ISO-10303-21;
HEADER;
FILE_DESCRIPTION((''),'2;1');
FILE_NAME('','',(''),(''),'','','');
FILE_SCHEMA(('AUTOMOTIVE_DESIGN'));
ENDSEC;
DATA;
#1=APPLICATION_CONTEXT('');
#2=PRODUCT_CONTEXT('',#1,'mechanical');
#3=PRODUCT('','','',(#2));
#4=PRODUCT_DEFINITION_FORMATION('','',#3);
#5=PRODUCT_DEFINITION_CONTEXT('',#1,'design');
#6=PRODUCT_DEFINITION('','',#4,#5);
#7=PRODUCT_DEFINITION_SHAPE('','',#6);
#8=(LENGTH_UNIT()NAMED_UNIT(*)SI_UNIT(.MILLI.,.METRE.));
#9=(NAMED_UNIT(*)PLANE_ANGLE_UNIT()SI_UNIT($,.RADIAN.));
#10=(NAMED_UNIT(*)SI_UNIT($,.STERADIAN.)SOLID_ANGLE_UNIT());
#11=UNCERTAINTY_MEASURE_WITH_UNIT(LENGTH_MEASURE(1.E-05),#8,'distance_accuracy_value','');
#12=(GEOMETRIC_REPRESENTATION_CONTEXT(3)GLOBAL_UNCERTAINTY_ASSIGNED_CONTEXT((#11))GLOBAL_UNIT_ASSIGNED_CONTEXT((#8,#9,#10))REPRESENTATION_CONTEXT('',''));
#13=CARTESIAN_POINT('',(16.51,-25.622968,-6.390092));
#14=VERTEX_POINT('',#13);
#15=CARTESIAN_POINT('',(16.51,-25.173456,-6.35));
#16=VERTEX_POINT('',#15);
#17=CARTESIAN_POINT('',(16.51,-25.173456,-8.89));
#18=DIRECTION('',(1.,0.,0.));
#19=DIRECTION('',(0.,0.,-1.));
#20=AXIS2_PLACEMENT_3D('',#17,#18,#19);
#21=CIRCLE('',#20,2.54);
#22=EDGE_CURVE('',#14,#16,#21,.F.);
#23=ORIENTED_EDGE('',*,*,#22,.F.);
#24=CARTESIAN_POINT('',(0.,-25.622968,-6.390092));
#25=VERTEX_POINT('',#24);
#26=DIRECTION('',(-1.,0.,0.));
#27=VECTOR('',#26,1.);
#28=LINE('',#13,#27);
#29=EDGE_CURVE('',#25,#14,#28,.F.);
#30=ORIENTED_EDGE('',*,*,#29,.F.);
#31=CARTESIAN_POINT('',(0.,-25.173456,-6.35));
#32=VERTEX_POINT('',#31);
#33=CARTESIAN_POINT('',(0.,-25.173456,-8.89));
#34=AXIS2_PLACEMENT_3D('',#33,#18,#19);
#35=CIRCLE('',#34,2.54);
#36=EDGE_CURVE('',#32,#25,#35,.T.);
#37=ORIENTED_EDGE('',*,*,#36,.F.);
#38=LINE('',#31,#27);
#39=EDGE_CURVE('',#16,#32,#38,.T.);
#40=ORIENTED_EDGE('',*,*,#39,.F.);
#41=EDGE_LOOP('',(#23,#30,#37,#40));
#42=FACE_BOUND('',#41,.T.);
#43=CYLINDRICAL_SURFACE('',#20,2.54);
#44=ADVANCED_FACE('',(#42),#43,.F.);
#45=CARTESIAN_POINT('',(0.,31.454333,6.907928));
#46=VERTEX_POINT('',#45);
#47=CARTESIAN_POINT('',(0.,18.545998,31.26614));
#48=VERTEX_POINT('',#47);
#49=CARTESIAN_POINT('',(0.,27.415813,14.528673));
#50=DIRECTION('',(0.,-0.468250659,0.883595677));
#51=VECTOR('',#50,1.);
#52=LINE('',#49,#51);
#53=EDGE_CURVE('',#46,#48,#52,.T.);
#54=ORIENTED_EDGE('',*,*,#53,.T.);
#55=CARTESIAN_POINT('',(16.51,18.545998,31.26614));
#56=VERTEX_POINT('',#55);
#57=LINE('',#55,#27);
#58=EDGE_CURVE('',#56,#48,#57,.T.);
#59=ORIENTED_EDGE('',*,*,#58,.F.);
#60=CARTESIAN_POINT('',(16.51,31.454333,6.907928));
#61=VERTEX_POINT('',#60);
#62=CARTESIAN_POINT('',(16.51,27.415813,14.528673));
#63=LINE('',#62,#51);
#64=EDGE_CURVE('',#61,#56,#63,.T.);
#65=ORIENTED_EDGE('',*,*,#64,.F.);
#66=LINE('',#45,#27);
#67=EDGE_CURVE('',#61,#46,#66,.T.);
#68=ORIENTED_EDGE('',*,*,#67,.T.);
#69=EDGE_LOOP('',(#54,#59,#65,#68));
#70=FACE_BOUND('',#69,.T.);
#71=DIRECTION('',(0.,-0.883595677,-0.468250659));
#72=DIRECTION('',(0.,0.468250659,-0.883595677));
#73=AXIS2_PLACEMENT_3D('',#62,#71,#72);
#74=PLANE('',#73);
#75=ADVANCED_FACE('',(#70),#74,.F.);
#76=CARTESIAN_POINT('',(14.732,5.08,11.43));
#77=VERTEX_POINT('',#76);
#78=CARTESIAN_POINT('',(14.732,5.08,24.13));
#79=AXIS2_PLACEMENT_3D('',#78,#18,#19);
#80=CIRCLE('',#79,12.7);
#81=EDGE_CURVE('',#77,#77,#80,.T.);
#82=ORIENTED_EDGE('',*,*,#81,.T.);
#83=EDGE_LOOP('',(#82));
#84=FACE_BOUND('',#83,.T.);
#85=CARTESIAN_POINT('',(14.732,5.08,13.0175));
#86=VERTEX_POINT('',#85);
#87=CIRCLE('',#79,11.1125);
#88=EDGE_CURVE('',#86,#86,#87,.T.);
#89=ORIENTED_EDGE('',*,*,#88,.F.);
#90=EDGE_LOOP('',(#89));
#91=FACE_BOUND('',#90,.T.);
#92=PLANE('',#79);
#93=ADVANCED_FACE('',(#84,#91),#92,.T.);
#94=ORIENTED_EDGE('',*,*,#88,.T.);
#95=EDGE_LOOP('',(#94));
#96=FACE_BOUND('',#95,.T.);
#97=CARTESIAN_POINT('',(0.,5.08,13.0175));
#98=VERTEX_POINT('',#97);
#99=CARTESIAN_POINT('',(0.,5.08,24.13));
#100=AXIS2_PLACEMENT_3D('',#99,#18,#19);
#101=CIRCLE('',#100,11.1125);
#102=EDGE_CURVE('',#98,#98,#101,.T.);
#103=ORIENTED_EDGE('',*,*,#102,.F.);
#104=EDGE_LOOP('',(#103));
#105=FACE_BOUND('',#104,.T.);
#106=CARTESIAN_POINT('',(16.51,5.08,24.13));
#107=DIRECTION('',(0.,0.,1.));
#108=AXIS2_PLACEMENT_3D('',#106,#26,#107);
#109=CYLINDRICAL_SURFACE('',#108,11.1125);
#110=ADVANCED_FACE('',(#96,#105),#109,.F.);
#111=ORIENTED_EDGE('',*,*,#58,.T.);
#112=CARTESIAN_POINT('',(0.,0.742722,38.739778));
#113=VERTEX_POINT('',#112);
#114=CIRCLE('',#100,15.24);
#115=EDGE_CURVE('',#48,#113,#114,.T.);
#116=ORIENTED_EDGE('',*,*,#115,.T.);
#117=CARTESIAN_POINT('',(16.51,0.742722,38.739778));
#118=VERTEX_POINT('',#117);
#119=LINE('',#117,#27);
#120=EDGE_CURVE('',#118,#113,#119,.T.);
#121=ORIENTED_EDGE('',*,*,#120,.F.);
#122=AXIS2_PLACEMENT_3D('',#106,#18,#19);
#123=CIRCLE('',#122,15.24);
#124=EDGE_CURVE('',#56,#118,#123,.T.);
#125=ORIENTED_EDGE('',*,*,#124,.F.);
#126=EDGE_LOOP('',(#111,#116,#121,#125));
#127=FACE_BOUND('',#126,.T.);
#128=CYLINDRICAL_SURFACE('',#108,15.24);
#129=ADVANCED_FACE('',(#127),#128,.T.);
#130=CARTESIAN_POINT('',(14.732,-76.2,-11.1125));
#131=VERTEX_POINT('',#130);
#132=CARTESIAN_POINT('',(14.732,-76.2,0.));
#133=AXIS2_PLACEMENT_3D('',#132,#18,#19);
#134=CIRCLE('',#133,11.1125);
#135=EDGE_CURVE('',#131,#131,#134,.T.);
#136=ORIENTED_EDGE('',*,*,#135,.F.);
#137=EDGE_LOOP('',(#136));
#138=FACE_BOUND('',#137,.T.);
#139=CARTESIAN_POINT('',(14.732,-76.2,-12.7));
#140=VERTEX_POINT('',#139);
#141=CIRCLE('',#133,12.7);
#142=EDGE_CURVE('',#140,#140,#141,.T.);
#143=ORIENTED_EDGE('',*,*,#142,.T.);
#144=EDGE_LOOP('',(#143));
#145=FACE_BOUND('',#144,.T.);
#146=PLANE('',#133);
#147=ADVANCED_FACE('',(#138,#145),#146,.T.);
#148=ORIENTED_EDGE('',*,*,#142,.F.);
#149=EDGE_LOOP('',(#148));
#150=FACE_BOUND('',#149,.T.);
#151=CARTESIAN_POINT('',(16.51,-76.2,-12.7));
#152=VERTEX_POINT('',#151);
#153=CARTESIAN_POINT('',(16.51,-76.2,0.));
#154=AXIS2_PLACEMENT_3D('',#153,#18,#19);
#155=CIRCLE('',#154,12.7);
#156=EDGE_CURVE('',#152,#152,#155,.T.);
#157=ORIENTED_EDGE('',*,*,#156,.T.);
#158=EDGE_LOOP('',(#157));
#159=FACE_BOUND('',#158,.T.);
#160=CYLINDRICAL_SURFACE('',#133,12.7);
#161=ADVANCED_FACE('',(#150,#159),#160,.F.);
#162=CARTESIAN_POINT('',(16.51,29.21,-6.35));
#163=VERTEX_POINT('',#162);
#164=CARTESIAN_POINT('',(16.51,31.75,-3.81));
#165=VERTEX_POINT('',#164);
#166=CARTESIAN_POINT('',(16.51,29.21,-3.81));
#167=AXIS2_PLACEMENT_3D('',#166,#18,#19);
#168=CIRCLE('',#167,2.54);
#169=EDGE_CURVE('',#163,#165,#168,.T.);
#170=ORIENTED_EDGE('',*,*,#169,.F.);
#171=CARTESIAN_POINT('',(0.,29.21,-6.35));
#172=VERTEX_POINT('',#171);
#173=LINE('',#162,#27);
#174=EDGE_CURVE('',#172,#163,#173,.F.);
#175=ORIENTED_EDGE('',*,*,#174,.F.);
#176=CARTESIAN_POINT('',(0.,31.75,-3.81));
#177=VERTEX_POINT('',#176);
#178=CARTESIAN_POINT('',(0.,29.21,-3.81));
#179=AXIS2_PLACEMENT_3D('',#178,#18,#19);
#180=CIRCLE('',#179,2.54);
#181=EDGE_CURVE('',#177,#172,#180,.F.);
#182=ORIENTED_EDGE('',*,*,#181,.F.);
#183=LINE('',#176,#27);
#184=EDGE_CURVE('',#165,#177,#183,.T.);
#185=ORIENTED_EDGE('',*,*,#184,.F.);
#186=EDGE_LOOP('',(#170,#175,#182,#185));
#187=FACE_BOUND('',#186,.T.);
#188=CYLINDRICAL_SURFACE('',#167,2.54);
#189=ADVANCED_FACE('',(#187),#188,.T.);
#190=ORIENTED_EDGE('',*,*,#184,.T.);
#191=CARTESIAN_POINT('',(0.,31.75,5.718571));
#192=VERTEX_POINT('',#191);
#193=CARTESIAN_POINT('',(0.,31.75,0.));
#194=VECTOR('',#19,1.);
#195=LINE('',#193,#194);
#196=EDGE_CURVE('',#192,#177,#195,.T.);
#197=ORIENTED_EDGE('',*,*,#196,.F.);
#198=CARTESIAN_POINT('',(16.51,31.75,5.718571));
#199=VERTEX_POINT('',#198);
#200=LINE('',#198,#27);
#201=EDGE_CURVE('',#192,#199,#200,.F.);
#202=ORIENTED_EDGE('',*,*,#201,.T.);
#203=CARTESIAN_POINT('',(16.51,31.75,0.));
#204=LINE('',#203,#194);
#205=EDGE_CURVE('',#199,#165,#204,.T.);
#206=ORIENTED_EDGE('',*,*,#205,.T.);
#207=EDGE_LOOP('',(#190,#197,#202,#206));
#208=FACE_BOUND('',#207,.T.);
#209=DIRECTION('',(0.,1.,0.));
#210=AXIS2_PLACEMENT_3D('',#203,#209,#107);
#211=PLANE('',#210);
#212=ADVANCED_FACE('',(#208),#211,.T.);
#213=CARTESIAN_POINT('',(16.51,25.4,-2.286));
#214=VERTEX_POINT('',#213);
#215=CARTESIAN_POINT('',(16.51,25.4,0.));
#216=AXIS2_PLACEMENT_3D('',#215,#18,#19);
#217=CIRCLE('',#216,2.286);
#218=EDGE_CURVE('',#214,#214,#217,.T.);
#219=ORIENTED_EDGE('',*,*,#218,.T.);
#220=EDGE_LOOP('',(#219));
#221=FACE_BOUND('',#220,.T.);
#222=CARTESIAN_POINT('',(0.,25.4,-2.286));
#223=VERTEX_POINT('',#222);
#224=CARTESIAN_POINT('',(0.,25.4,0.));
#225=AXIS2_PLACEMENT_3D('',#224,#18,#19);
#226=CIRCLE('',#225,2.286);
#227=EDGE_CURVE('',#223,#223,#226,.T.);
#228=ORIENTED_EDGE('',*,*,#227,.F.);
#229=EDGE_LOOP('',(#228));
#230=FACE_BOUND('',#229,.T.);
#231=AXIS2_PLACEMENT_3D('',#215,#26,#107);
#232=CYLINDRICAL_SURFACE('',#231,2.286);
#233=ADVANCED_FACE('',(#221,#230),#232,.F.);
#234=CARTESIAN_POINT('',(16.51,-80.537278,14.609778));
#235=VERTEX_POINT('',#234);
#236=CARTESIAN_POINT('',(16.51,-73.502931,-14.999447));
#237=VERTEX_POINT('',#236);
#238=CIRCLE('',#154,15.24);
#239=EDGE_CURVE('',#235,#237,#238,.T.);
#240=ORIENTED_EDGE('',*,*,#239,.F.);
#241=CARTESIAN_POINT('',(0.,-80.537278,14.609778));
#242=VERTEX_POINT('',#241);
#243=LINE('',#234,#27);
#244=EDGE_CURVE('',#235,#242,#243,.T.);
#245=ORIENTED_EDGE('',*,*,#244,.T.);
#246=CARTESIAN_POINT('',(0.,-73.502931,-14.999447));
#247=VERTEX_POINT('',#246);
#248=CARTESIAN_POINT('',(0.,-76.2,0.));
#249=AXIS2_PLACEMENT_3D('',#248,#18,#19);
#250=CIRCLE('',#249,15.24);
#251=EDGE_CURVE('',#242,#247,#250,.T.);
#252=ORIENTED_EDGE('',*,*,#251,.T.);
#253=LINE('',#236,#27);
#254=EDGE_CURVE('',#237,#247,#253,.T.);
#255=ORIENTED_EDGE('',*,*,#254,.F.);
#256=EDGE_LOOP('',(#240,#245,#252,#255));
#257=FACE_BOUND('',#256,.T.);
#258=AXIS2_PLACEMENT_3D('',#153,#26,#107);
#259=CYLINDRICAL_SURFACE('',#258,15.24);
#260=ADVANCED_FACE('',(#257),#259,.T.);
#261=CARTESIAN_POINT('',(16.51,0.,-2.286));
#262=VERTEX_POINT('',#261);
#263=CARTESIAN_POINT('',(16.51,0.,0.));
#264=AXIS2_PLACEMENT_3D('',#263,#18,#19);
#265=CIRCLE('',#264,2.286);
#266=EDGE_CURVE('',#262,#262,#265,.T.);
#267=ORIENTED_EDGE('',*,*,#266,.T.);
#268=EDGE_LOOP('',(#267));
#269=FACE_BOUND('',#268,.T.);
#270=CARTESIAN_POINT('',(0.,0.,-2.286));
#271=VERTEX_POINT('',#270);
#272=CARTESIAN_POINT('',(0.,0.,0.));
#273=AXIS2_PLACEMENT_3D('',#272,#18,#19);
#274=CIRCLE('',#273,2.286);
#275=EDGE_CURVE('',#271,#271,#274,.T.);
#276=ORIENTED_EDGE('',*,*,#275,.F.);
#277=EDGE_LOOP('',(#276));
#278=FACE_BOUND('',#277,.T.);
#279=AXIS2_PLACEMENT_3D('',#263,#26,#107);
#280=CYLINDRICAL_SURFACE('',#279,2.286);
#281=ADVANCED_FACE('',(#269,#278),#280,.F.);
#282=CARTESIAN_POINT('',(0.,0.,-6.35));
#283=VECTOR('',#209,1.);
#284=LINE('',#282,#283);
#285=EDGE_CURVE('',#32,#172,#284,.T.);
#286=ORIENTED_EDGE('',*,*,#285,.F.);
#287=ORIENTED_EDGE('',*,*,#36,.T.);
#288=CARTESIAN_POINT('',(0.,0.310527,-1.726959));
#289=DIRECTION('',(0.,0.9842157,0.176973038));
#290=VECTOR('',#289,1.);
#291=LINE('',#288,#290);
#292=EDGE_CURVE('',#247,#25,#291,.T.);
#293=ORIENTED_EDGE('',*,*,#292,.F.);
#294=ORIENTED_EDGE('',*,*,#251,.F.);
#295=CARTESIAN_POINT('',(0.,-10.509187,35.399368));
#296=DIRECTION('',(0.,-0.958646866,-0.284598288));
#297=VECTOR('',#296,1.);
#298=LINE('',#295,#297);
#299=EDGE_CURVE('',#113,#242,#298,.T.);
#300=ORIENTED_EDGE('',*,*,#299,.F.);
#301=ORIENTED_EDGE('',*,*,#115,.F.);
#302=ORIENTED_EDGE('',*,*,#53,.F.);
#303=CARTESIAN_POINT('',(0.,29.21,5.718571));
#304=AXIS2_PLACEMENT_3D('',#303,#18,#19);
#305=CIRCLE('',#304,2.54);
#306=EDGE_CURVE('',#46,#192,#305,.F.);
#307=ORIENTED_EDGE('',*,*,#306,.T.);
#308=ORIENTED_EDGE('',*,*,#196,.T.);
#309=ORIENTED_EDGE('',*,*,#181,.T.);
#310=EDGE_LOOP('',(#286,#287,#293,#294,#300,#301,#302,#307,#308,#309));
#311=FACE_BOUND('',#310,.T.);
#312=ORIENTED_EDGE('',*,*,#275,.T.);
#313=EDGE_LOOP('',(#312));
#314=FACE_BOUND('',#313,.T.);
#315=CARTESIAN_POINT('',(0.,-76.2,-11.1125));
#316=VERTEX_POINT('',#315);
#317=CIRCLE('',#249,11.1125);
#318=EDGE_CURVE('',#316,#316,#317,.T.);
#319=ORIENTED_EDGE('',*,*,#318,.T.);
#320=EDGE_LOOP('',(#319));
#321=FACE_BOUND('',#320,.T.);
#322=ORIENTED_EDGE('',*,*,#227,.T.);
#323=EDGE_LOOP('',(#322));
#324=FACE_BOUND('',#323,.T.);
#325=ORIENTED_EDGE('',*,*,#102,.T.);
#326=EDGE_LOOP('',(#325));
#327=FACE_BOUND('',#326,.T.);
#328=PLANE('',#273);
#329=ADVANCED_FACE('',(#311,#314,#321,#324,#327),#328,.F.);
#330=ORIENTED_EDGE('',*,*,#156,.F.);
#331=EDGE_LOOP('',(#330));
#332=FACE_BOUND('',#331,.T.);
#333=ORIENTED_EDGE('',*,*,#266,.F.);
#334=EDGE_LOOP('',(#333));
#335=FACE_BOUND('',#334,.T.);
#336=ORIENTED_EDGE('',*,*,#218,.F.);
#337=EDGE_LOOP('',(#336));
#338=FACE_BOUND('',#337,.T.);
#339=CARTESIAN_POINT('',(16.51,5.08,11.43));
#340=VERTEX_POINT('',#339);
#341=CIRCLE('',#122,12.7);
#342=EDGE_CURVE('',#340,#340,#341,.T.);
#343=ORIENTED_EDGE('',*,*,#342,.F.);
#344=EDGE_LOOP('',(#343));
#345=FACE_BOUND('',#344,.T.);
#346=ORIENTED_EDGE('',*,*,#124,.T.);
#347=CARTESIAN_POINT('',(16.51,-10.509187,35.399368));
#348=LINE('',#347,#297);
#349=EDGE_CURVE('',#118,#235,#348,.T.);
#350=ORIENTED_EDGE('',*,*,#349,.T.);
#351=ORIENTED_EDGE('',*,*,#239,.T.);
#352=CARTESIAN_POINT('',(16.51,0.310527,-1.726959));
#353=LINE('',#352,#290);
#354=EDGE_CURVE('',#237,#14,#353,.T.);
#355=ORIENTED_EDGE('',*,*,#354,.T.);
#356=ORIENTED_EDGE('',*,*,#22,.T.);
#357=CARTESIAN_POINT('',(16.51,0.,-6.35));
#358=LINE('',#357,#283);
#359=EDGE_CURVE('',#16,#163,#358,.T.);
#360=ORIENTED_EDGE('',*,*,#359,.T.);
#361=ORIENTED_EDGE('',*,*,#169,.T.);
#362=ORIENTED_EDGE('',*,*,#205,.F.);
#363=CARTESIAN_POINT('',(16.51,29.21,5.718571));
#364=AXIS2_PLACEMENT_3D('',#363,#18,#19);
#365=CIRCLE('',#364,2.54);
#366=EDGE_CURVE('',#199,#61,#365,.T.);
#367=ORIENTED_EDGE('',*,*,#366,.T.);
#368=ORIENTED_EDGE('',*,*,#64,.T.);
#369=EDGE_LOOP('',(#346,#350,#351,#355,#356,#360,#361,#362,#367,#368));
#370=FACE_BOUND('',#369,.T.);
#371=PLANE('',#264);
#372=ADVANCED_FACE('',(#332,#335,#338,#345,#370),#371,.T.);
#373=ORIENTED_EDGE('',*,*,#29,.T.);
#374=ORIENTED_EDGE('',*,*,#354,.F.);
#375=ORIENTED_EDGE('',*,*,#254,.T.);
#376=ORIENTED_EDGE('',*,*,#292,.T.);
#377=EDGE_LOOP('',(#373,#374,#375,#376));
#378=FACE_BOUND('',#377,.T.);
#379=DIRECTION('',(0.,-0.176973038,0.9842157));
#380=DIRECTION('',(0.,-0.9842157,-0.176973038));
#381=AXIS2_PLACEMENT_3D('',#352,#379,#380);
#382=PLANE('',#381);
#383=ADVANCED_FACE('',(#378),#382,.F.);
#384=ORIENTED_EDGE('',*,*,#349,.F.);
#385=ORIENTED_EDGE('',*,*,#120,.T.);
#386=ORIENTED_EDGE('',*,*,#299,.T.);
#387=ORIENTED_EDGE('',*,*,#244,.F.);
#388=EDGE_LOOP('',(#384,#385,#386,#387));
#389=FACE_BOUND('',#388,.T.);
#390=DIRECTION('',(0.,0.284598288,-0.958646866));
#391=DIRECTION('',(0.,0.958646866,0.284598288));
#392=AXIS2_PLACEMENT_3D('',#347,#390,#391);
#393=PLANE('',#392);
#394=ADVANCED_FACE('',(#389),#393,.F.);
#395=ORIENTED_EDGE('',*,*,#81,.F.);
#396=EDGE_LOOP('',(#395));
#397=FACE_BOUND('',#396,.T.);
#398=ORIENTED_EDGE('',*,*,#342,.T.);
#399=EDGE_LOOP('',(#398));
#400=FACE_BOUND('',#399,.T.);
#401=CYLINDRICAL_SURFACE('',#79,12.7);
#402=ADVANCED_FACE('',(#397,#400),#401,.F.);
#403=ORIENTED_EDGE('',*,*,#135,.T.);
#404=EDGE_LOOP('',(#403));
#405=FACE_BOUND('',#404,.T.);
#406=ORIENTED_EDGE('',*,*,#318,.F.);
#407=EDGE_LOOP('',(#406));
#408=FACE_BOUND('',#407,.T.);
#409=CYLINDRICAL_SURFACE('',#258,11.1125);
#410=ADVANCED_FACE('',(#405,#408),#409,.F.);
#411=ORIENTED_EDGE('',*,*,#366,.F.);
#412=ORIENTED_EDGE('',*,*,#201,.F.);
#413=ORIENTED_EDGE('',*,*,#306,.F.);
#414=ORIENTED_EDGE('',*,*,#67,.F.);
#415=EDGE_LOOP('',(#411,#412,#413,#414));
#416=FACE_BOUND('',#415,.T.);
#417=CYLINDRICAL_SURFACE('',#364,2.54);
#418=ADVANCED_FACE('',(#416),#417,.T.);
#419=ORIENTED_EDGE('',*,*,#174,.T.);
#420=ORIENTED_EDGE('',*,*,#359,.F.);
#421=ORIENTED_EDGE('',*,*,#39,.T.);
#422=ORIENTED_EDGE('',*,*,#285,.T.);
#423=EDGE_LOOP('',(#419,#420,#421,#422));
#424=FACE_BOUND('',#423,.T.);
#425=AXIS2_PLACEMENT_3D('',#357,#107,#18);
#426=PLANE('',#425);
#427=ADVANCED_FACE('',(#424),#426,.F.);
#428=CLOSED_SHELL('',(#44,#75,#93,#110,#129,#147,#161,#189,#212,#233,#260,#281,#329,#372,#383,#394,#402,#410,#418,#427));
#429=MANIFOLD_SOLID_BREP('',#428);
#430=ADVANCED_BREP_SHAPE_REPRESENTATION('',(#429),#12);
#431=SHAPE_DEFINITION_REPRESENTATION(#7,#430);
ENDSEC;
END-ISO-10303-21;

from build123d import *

# Parameters (mm, degrees)
SKETCH1_R           = 2.286
SKETCH1_R_2         = 11.1125
BOSS_EXTRUDE1_DEPTH = 16.51
SKETCH2_R           = 12.7
CUT_EXTRUDE1_DEPTH  = 1.778
FILLET1_R           = 2.54


with BuildPart() as part:
    # Sketch1 → Boss-Extrude1 (new body)
    with BuildSketch(Plane(origin=(0, 0, 0), x_dir=(0, 0, -1), z_dir=(1, 0, 0))):
        with BuildLine():
            Line((-38.739778242, 0.742722084), (-14.609778242, -80.537277916))
            ThreePointArc((-14.609778242, -80.537277916), (3.522565818, -91.027310277), (14.999447267, -73.502930908))
            Line((14.999447267, -73.502930908), (6.35, -25.4))
            Line((6.35, -25.4), (6.35, 31.75))
            Line((6.35, 31.75), (-6.35, 31.75))
            Line((-6.35, 31.75), (-31.266140037, 18.54599812))
            ThreePointArc((-31.266140037, 18.54599812), (-38.182060342, 10.978915167), (-38.739778242, 0.742722084))
        make_face()
        Circle(SKETCH1_R, mode=Mode.SUBTRACT)
        with Locations((0, 25.4)):
            Circle(SKETCH1_R, mode=Mode.SUBTRACT)
        with Locations((0, -76.2)):
            Circle(SKETCH1_R_2, mode=Mode.SUBTRACT)
        with Locations((-24.13, 5.08)):
            Circle(SKETCH1_R_2, mode=Mode.SUBTRACT)
    extrude(amount=BOSS_EXTRUDE1_DEPTH)

    # Sketch2 → Cut-Extrude1 (cut)
    with BuildSketch(Plane(origin=(16.51, 0, 0), x_dir=(0, 0, -1), z_dir=(1, 0, 0))):
        with Locations((0, -76.2)):
            Circle(SKETCH2_R)
        with Locations((-24.13, 5.08)):
            Circle(SKETCH2_R)
    extrude(amount=-CUT_EXTRUDE1_DEPTH, mode=Mode.SUBTRACT)

    # Fillet1
    fillet1_edges = [part.edges().sort_by_distance(p)[0] for p in [
        (8.255, 31.75, 6.35),
        (8.255, 31.75, -6.35),
        (8.255, -25.4, -6.35),
    ]]
    fillet(fillet1_edges, radius=FILLET1_R)


solid = part.part
